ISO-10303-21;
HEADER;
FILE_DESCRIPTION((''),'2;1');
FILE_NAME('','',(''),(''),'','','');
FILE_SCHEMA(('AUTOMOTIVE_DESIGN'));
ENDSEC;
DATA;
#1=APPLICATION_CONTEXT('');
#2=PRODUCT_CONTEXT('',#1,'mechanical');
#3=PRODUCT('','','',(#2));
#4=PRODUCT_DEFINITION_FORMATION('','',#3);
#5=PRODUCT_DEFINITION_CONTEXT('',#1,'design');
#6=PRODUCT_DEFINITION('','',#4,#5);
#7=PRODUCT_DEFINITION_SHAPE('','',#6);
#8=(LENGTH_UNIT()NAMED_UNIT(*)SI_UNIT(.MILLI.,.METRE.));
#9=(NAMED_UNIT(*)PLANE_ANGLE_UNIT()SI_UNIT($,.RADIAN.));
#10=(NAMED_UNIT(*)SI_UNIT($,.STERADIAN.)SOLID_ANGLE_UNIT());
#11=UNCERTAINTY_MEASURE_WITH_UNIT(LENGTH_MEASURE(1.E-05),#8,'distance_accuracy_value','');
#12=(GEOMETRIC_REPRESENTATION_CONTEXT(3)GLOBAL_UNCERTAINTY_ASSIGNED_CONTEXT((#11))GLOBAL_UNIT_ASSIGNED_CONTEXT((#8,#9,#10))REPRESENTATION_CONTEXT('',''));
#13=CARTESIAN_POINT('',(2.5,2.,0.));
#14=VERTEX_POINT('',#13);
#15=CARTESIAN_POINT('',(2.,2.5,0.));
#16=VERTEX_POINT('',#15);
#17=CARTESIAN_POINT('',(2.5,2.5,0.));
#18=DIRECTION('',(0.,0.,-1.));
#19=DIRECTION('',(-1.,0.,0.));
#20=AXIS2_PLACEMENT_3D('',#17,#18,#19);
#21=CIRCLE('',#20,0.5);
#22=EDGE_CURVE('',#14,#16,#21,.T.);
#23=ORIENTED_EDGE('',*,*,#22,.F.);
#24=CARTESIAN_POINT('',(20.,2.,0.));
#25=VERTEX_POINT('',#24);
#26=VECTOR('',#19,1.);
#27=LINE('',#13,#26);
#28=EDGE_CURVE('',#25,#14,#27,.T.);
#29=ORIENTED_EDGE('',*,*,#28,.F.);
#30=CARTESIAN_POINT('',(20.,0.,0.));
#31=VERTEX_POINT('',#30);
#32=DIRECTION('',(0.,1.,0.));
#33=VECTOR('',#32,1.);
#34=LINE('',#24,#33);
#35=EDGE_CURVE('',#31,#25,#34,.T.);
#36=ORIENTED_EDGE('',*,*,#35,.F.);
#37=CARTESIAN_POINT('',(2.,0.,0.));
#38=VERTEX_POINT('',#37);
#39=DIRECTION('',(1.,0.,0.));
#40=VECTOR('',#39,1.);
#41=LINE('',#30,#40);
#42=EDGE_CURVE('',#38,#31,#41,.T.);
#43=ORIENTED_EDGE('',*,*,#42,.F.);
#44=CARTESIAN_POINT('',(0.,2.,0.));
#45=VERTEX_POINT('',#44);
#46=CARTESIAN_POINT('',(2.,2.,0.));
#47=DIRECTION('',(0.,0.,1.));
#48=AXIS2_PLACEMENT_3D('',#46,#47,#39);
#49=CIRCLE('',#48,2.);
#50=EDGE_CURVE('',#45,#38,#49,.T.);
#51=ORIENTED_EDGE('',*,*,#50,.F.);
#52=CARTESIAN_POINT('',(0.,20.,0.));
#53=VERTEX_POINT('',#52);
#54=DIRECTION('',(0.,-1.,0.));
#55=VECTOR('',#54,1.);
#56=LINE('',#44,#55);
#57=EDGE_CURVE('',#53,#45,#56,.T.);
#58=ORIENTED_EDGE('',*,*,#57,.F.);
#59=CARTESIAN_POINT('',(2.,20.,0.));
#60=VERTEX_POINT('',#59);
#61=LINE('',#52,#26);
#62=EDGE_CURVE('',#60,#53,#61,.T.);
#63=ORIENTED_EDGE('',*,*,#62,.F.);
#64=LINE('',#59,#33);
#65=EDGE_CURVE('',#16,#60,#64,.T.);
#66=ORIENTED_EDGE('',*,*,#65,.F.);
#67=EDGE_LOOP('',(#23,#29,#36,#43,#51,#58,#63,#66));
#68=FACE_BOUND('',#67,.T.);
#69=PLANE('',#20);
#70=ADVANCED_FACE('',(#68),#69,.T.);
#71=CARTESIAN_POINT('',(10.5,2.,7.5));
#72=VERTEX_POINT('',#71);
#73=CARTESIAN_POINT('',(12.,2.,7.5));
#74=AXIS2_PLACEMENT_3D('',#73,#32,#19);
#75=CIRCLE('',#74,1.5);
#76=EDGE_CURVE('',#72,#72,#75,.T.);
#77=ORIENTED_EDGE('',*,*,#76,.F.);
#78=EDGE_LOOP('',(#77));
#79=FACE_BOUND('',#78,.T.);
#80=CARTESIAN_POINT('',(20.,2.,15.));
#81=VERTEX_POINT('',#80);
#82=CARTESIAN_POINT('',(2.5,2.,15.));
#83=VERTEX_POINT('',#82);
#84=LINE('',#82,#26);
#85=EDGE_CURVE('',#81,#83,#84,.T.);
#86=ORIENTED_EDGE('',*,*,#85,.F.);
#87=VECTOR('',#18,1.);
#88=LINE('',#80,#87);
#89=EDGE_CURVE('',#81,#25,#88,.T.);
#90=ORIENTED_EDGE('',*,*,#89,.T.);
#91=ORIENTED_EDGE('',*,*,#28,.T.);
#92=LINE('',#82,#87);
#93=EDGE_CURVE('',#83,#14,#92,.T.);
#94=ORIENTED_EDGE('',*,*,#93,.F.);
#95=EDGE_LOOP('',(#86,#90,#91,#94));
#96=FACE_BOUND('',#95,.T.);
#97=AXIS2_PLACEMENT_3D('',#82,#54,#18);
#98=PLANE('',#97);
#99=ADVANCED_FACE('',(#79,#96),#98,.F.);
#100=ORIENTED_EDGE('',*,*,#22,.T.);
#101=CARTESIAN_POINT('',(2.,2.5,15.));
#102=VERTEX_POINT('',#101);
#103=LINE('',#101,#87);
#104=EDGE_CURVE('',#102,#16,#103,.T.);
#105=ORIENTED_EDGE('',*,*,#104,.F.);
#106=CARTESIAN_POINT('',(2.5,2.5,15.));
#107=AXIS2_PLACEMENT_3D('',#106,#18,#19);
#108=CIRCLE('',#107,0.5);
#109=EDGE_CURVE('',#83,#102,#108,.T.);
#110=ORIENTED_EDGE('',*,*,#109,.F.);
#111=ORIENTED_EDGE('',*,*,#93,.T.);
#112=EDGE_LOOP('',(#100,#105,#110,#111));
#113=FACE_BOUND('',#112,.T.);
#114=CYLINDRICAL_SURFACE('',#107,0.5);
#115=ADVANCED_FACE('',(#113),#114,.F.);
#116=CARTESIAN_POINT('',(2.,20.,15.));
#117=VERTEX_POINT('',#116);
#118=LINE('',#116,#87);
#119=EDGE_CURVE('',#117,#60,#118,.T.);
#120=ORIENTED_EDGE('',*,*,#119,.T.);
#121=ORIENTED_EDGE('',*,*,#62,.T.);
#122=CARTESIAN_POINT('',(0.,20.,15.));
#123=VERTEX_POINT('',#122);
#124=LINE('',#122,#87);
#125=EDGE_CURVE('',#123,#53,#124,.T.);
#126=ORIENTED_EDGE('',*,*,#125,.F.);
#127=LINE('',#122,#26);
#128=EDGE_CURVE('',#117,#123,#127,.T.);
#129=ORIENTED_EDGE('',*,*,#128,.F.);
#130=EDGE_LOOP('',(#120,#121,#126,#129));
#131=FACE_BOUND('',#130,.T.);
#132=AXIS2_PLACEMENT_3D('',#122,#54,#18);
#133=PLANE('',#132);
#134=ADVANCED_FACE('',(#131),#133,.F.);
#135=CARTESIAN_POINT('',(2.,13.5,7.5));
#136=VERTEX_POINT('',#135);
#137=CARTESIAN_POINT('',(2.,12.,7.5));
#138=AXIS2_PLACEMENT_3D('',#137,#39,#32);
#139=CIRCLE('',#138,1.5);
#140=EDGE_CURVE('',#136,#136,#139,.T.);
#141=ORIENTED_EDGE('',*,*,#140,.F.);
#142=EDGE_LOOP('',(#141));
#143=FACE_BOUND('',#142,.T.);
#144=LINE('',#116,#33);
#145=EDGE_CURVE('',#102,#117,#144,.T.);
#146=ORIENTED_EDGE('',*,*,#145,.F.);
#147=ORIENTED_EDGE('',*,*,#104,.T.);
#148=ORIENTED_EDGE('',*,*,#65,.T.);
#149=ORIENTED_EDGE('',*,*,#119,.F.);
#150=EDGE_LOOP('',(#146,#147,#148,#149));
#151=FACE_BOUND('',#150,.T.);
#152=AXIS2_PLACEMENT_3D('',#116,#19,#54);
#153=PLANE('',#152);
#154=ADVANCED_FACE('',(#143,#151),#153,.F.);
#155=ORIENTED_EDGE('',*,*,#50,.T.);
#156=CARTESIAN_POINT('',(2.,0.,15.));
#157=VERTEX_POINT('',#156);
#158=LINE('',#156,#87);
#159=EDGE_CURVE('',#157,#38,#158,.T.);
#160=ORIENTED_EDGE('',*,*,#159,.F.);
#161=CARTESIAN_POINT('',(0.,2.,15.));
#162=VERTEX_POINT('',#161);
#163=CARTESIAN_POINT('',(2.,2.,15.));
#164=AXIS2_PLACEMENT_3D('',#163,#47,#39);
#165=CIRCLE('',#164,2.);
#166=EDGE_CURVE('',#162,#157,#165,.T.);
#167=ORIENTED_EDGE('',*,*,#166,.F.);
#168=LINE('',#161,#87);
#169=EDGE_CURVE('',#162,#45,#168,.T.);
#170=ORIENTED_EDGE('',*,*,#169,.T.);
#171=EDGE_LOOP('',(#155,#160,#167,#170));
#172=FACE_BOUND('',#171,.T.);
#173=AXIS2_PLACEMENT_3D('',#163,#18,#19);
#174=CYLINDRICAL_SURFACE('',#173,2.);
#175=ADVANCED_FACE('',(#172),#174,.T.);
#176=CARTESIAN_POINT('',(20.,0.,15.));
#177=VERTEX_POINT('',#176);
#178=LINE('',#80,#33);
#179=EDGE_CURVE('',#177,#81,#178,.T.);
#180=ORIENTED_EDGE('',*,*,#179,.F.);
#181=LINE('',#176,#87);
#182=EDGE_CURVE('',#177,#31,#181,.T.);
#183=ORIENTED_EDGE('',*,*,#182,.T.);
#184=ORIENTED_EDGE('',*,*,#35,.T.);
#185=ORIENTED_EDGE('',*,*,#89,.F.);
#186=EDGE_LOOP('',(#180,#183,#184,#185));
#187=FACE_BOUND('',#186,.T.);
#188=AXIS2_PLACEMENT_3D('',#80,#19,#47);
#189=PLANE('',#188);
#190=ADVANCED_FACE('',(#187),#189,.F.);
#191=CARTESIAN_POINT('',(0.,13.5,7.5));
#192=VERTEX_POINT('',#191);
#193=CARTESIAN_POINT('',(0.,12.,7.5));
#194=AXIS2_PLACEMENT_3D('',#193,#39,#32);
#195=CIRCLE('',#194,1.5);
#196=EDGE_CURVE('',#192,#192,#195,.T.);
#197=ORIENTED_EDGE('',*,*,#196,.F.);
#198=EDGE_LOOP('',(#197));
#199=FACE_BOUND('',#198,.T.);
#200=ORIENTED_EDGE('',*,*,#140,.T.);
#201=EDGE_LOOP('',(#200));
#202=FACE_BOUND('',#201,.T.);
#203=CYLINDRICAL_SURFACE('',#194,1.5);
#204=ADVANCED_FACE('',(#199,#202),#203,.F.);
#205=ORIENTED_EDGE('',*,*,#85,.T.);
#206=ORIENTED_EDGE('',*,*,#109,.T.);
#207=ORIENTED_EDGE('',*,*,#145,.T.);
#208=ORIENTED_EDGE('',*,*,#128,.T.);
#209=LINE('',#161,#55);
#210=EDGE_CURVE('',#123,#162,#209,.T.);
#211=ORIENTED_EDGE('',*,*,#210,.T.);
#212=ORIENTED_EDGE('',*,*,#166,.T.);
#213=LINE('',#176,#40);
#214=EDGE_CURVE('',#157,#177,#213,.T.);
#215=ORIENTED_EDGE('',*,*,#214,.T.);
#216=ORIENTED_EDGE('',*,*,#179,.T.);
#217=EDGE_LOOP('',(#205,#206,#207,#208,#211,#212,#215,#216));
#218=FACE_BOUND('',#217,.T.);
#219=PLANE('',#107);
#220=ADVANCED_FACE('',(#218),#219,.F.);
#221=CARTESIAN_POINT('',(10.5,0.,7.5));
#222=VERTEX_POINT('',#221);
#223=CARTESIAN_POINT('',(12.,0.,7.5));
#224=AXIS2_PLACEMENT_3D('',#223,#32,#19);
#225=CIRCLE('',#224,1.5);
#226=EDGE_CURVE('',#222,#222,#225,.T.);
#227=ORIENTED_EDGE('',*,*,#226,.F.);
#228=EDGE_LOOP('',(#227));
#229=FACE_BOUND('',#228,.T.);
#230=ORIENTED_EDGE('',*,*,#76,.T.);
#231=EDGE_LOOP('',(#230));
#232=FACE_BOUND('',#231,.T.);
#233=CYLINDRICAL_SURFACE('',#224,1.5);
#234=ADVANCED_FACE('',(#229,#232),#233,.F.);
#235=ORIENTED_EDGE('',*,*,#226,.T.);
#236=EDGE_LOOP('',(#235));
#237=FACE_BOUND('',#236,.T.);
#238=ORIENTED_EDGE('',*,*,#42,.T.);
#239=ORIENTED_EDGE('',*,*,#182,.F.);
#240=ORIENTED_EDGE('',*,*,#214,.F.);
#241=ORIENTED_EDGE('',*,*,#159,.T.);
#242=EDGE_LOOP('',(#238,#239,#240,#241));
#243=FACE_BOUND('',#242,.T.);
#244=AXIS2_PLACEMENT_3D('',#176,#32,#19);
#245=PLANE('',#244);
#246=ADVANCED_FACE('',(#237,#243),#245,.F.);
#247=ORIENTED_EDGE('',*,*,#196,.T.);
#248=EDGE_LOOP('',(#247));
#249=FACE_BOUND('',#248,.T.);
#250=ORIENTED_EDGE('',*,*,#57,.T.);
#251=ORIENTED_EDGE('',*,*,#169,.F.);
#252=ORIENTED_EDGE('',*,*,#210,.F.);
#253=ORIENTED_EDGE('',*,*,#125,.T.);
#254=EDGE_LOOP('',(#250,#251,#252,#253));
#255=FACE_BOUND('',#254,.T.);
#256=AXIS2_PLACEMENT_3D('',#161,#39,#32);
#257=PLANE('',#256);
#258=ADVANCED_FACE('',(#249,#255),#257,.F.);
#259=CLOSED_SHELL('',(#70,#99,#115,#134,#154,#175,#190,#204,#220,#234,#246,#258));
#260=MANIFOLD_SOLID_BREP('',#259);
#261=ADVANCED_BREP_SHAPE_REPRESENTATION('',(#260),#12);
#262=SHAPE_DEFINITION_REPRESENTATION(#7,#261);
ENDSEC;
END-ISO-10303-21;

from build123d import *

# Parameters (mm, degrees)
BOSS_EXTRUDE1_DEPTH = 15
SKETCH3_R           = 1.5
CUT_EXTRUDE2_DEPTH  = 3
SKETCH4_R           = 1.5
CUT_EXTRUDE3_DEPTH  = 3


with BuildPart() as part:
    # Sketch1 → Boss-Extrude1 (new body)
    with BuildSketch(Plane.XY):
        with BuildLine():
            Line((0, 2), (0, 20))
            Line((0, 20), (2, 20))
            Line((2, 20), (2, 2.5))
            ThreePointArc((2, 2.5), (2.146446609, 2.146446609), (2.5, 2))
            Line((2.5, 2), (20, 2))
            Line((20, 2), (20, 0))
            Line((20, 0), (2, 0))
            ThreePointArc((2, 0), (0.585786438, 0.585786438), (0, 2))
        make_face()
    extrude(amount=BOSS_EXTRUDE1_DEPTH)

    # Sketch3 → Cut-Extrude2 (cut, through all)
    with BuildSketch(Plane(origin=(0, 2, 0), x_dir=(1, 0, 0), z_dir=(0, 1, 0))):
        with Locations((12, -7.5)):
            Circle(SKETCH3_R)
    extrude(amount=-CUT_EXTRUDE2_DEPTH, mode=Mode.SUBTRACT)

    # Sketch4 → Cut-Extrude3 (cut, through all)
    with BuildSketch(Plane(origin=(2, 0, 0), x_dir=(0, 0, -1), z_dir=(1, 0, 0))):
        with Locations((-7.5, 12)):
            Circle(SKETCH4_R)
    extrude(amount=-CUT_EXTRUDE3_DEPTH, mode=Mode.SUBTRACT)


solid = part.part
